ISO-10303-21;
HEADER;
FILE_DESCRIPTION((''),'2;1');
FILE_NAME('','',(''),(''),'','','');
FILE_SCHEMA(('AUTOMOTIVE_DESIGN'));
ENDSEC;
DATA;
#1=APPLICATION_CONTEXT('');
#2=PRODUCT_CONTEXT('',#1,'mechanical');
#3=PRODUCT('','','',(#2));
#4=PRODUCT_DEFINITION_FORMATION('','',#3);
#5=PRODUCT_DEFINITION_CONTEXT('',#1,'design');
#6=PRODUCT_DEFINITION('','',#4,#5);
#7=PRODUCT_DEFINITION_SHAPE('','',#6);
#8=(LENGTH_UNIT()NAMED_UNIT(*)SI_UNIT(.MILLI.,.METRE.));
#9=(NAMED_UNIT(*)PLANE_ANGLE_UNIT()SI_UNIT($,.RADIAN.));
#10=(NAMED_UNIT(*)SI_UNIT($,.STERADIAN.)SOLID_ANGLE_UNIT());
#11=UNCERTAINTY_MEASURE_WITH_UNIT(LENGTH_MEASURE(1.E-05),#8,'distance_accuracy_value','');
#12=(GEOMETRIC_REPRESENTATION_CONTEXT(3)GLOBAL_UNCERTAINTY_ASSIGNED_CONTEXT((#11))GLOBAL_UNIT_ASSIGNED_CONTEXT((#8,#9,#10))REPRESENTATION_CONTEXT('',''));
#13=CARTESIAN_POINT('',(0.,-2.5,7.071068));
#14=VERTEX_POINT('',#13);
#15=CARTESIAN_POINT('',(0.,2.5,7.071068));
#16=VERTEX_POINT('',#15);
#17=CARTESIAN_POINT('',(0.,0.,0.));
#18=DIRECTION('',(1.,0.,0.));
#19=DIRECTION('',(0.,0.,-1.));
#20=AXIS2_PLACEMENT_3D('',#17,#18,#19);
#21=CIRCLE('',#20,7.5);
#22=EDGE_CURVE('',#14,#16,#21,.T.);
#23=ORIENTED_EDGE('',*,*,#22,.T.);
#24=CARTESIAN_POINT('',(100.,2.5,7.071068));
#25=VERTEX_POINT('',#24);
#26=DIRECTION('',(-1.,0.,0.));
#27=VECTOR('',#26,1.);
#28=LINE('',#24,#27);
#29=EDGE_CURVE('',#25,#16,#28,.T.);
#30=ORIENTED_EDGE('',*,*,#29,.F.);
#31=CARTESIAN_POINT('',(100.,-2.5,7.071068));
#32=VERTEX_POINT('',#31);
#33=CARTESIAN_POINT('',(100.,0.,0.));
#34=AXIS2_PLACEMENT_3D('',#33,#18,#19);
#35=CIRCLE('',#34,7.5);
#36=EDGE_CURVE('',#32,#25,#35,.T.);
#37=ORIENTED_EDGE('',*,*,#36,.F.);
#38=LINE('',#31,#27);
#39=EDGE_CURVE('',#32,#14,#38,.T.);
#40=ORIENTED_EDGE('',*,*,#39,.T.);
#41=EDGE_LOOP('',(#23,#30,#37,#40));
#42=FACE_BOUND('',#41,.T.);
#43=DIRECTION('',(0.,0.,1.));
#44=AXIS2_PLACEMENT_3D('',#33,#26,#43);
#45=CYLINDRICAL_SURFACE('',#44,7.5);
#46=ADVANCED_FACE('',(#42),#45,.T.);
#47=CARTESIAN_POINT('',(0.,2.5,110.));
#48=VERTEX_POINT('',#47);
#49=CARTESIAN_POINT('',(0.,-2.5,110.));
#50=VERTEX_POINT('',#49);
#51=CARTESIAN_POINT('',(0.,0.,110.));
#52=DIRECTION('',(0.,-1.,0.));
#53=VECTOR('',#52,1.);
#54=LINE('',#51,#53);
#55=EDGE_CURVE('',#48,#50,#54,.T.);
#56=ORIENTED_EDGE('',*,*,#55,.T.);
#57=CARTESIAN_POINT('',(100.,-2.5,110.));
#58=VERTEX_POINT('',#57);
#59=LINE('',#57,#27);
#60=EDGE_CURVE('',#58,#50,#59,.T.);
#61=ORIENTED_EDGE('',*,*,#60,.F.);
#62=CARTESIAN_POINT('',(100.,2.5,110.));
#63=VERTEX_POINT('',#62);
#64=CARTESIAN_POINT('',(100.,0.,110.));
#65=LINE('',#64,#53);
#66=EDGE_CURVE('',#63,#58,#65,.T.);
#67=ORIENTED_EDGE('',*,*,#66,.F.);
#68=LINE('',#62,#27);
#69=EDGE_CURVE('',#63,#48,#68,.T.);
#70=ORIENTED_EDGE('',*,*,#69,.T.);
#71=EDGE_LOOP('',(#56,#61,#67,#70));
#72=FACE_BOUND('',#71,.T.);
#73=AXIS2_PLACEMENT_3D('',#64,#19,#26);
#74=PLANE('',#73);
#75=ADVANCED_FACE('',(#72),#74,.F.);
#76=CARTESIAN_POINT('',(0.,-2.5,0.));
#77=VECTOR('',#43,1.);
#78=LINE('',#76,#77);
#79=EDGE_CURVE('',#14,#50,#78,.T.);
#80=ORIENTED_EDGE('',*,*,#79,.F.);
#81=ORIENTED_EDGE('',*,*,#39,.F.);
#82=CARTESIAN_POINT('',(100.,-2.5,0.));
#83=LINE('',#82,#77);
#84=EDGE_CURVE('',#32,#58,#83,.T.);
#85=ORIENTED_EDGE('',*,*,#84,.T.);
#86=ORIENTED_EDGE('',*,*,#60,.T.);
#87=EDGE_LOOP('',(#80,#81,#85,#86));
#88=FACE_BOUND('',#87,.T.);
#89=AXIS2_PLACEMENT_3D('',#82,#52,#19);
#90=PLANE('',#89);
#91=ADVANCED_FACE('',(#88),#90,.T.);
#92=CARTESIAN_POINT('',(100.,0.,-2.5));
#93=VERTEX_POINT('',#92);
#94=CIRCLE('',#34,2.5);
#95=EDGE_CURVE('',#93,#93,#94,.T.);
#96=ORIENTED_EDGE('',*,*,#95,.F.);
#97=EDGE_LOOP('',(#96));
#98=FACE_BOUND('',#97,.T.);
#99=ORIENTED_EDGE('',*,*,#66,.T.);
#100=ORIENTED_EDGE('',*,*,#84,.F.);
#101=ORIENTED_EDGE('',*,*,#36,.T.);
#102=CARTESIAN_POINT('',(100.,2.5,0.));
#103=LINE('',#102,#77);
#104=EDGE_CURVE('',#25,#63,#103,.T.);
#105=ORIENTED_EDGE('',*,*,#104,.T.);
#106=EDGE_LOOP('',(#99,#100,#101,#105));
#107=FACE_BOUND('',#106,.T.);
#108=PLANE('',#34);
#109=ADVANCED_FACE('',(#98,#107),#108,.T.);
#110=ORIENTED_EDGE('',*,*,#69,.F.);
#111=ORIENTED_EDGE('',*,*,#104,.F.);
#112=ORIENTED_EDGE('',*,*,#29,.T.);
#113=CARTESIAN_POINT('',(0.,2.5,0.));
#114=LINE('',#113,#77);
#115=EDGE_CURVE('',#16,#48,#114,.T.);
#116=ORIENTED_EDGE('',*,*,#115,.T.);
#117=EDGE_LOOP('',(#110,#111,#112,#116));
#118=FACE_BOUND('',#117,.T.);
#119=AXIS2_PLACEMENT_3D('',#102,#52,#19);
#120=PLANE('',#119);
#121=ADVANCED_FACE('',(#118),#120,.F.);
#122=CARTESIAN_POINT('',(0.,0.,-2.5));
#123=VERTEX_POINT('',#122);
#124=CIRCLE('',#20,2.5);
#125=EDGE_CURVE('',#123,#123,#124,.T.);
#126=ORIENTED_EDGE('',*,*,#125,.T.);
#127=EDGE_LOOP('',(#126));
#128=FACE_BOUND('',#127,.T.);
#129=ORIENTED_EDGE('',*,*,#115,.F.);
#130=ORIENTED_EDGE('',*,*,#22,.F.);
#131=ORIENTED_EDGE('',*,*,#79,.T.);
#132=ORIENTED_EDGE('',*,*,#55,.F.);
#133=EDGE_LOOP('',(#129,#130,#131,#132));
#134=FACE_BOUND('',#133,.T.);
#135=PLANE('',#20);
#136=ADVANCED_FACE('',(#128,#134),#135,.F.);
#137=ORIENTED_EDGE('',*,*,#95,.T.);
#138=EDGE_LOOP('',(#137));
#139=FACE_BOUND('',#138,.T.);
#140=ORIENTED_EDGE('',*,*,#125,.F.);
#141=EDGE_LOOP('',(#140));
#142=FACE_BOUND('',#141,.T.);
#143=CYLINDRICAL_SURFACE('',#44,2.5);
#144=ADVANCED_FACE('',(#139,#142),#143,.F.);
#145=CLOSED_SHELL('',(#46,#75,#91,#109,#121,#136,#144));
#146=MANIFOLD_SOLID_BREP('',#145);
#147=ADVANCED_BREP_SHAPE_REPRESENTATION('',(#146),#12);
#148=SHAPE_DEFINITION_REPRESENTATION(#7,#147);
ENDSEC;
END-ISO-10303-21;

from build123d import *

# Parameters (mm, degrees)
BOSS_EXTRUDE1_DEPTH = 100


with BuildPart() as part:
    # Sketch1 → Boss-Extrude1 (new body)
    with BuildSketch(Plane(origin=(0, 0, 0), x_dir=(0, 0, -1), z_dir=(1, 0, 0))):
        with BuildLine():
            ThreePointArc((0, -2.5), (-2.5, 0), (0, 2.5))
            Line((0, 2.5), (-7.071067812, 2.5))
            ThreePointArc((-7.071067812, 2.5), (-7.5, 0), (-7.071067812, -2.5))
            Line((-7.071067812, -2.5), (0, -2.5))
        make_face()
        with BuildLine():
            Line((-7.071067812, 2.5), (0, 2.5))
            ThreePointArc((0, 2.5), (1.767766953, 1.767766953), (2.5, 0))
            ThreePointArc((2.5, 0), (1.767766953, -1.767766953), (0, -2.5))
            Line((0, -2.5), (-7.071067812, -2.5))
            ThreePointArc((-7.071067812, -2.5), (1.26826484, -7.391989197), (7.5, 0))
            ThreePointArc((7.5, 0), (1.26826484, 7.391989197), (-7.071067812, 2.5))
        make_face()
        with BuildLine():
            ThreePointArc((-7.071067812, -2.5), (-7.5, 0), (-7.071067812, 2.5))
            Line((-7.071067812, 2.5), (-110, 2.5))
            Line((-110, 2.5), (-110, -2.5))
            Line((-110, -2.5), (-7.071067812, -2.5))
        make_face()
    extrude(amount=BOSS_EXTRUDE1_DEPTH)


solid = part.part
